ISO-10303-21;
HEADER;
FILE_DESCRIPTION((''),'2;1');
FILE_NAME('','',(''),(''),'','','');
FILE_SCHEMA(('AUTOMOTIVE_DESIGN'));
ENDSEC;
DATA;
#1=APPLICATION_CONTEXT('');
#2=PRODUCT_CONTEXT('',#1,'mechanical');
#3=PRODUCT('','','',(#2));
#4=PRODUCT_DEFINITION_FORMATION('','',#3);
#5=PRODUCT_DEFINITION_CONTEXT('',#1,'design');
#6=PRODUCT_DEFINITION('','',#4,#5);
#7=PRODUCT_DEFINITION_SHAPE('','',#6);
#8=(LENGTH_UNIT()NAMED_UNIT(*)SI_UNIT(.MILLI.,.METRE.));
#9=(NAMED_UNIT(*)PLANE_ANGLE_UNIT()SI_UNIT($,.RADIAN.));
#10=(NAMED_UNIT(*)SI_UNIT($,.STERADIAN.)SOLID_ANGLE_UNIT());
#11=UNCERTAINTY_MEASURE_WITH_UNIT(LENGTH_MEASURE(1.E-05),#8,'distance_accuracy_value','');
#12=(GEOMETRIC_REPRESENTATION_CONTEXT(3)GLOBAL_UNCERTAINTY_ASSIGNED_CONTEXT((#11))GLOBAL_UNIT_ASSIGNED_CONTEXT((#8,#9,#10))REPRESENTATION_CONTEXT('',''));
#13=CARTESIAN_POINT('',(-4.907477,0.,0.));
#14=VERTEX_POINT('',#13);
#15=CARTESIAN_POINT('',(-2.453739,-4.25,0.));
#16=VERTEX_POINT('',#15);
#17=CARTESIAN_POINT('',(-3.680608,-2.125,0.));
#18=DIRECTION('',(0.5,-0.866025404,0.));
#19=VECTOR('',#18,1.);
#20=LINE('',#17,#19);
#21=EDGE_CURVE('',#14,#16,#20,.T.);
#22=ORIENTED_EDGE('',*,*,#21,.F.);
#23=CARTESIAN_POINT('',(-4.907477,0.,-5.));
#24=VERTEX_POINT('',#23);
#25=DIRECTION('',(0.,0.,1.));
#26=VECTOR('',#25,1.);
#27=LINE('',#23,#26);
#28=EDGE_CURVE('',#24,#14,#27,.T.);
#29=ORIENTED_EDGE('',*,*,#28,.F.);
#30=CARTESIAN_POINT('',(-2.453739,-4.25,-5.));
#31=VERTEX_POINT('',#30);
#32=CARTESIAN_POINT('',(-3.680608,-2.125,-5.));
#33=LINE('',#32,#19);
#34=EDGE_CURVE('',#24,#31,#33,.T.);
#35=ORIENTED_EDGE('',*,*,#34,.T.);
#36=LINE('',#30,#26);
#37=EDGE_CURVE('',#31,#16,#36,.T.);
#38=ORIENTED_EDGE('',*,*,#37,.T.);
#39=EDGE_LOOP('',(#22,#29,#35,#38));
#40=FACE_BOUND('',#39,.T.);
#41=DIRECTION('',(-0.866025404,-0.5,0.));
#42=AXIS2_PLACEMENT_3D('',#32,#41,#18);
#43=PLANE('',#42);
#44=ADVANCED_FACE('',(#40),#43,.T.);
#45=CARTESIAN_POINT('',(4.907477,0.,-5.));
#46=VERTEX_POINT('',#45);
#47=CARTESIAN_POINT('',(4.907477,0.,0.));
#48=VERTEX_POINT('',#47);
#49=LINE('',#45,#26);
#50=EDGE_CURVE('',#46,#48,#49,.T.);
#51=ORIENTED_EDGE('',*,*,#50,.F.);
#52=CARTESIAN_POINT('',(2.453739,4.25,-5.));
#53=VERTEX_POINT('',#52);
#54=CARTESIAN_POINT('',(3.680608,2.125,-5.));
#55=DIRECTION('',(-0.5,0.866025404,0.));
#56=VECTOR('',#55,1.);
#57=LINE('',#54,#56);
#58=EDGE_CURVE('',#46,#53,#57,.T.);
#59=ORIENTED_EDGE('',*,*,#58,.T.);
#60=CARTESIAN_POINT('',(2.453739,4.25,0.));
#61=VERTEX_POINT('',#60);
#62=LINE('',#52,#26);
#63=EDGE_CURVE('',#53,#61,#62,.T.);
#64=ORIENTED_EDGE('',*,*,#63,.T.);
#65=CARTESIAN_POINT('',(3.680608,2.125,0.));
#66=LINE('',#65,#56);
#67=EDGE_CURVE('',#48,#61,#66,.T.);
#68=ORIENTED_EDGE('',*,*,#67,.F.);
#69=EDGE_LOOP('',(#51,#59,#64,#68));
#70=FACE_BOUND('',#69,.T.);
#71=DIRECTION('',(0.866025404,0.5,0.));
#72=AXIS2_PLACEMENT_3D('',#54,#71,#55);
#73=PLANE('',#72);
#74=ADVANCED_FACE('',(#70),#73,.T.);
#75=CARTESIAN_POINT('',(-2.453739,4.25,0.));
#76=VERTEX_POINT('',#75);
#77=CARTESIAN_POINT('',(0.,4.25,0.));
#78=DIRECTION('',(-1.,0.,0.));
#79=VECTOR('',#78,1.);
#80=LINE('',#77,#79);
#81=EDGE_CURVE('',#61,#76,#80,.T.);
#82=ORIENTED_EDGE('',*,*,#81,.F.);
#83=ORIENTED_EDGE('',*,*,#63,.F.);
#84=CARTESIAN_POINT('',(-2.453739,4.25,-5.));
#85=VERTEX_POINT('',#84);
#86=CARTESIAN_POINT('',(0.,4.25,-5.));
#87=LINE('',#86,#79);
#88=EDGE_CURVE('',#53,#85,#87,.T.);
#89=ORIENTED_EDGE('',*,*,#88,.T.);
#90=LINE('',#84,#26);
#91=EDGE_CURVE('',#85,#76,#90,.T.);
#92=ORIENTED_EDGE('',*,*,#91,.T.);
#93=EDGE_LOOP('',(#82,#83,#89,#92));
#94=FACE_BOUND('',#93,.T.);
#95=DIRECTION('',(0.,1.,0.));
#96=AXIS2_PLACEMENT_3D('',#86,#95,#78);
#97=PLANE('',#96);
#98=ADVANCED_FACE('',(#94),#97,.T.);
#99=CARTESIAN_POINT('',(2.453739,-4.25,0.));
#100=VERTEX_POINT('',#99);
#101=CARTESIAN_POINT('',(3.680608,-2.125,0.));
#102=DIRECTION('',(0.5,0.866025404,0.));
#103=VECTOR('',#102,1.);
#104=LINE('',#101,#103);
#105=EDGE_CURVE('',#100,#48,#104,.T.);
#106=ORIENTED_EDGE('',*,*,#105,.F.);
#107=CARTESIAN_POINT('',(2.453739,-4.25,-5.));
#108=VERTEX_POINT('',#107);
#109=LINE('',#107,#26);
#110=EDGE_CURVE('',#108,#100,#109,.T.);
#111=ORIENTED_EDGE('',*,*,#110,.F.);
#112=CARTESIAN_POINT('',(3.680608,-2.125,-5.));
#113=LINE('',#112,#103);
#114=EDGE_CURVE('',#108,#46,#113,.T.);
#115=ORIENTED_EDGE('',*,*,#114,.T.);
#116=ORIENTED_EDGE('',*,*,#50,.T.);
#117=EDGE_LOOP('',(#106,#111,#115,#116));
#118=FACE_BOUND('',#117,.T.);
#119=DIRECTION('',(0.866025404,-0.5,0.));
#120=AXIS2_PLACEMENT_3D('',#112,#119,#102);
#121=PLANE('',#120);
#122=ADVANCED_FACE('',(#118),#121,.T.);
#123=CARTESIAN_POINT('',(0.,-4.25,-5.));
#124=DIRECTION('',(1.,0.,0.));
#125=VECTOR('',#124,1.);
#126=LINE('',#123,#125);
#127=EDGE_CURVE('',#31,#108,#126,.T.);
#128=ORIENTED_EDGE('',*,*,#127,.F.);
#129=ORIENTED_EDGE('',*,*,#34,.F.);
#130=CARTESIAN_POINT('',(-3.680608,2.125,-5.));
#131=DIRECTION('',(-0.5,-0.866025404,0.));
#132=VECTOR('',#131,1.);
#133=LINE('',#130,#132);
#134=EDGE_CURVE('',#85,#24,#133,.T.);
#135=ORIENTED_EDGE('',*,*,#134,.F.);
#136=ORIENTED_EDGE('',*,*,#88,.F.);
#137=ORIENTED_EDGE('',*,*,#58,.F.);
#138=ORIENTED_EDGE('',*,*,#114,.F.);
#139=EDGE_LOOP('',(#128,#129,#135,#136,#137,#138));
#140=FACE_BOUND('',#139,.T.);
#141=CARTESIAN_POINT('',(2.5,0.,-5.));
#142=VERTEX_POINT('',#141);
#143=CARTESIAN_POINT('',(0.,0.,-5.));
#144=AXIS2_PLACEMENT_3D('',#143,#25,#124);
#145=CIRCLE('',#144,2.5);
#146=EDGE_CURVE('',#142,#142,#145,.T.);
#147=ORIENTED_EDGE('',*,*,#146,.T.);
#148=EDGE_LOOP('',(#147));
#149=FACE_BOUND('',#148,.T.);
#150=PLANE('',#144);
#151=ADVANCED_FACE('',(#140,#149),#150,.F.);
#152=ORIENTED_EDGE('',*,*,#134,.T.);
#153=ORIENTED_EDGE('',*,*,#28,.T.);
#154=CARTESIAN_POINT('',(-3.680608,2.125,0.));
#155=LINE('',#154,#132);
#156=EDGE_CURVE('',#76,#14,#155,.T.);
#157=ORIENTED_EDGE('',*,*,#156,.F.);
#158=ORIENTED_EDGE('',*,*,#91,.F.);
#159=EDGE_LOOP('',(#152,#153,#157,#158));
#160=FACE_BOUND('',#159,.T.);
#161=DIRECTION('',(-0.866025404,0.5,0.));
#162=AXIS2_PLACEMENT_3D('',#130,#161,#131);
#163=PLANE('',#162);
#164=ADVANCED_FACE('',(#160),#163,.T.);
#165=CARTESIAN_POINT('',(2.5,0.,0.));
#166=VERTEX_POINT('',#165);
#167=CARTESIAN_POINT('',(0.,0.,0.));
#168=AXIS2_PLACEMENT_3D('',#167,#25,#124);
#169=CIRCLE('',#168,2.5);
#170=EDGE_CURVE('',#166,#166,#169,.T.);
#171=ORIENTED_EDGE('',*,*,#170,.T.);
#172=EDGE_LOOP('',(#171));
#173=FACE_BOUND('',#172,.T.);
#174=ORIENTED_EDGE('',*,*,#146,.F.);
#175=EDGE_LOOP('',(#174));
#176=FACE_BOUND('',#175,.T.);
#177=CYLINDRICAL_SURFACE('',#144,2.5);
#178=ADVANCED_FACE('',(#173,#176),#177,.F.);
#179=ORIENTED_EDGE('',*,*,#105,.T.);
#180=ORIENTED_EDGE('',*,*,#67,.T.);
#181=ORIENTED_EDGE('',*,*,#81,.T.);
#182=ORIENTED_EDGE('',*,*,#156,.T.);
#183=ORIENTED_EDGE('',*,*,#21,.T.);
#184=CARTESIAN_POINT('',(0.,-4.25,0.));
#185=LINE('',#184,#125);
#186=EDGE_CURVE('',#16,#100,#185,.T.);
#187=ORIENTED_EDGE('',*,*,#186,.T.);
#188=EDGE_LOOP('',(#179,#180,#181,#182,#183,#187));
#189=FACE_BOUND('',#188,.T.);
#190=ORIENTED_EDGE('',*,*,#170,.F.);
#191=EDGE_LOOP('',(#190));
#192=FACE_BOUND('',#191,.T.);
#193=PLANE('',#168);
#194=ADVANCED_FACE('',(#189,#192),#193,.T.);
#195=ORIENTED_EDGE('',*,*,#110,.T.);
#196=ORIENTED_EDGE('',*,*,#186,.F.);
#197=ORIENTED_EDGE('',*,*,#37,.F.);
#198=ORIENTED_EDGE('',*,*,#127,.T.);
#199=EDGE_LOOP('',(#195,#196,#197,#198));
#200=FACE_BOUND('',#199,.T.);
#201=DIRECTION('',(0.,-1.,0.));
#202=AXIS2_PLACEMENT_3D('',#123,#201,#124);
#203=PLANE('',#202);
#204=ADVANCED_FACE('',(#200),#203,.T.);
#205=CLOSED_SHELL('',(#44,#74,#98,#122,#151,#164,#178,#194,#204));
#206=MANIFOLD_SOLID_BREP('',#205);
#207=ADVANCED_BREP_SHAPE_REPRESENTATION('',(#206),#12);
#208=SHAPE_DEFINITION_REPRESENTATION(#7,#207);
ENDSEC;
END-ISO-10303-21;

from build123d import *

# Parameters (mm, degrees)
SKETCH1_R           = 2.5
BOSS_EXTRUDE3_DEPTH = 5


with BuildPart() as part:
    # Sketch1 → Boss-Extrude3 (new body)
    with BuildSketch(Plane.XY):
        Polygon((4.907477288, 0), (2.453738644, 4.25), (-2.453738644, 4.25), (-4.907477288, 0), (-2.453738644, -4.25), (2.453738644, -4.25), align=None)
        Circle(SKETCH1_R, mode=Mode.SUBTRACT)
    extrude(amount=-BOSS_EXTRUDE3_DEPTH)


solid = part.part
